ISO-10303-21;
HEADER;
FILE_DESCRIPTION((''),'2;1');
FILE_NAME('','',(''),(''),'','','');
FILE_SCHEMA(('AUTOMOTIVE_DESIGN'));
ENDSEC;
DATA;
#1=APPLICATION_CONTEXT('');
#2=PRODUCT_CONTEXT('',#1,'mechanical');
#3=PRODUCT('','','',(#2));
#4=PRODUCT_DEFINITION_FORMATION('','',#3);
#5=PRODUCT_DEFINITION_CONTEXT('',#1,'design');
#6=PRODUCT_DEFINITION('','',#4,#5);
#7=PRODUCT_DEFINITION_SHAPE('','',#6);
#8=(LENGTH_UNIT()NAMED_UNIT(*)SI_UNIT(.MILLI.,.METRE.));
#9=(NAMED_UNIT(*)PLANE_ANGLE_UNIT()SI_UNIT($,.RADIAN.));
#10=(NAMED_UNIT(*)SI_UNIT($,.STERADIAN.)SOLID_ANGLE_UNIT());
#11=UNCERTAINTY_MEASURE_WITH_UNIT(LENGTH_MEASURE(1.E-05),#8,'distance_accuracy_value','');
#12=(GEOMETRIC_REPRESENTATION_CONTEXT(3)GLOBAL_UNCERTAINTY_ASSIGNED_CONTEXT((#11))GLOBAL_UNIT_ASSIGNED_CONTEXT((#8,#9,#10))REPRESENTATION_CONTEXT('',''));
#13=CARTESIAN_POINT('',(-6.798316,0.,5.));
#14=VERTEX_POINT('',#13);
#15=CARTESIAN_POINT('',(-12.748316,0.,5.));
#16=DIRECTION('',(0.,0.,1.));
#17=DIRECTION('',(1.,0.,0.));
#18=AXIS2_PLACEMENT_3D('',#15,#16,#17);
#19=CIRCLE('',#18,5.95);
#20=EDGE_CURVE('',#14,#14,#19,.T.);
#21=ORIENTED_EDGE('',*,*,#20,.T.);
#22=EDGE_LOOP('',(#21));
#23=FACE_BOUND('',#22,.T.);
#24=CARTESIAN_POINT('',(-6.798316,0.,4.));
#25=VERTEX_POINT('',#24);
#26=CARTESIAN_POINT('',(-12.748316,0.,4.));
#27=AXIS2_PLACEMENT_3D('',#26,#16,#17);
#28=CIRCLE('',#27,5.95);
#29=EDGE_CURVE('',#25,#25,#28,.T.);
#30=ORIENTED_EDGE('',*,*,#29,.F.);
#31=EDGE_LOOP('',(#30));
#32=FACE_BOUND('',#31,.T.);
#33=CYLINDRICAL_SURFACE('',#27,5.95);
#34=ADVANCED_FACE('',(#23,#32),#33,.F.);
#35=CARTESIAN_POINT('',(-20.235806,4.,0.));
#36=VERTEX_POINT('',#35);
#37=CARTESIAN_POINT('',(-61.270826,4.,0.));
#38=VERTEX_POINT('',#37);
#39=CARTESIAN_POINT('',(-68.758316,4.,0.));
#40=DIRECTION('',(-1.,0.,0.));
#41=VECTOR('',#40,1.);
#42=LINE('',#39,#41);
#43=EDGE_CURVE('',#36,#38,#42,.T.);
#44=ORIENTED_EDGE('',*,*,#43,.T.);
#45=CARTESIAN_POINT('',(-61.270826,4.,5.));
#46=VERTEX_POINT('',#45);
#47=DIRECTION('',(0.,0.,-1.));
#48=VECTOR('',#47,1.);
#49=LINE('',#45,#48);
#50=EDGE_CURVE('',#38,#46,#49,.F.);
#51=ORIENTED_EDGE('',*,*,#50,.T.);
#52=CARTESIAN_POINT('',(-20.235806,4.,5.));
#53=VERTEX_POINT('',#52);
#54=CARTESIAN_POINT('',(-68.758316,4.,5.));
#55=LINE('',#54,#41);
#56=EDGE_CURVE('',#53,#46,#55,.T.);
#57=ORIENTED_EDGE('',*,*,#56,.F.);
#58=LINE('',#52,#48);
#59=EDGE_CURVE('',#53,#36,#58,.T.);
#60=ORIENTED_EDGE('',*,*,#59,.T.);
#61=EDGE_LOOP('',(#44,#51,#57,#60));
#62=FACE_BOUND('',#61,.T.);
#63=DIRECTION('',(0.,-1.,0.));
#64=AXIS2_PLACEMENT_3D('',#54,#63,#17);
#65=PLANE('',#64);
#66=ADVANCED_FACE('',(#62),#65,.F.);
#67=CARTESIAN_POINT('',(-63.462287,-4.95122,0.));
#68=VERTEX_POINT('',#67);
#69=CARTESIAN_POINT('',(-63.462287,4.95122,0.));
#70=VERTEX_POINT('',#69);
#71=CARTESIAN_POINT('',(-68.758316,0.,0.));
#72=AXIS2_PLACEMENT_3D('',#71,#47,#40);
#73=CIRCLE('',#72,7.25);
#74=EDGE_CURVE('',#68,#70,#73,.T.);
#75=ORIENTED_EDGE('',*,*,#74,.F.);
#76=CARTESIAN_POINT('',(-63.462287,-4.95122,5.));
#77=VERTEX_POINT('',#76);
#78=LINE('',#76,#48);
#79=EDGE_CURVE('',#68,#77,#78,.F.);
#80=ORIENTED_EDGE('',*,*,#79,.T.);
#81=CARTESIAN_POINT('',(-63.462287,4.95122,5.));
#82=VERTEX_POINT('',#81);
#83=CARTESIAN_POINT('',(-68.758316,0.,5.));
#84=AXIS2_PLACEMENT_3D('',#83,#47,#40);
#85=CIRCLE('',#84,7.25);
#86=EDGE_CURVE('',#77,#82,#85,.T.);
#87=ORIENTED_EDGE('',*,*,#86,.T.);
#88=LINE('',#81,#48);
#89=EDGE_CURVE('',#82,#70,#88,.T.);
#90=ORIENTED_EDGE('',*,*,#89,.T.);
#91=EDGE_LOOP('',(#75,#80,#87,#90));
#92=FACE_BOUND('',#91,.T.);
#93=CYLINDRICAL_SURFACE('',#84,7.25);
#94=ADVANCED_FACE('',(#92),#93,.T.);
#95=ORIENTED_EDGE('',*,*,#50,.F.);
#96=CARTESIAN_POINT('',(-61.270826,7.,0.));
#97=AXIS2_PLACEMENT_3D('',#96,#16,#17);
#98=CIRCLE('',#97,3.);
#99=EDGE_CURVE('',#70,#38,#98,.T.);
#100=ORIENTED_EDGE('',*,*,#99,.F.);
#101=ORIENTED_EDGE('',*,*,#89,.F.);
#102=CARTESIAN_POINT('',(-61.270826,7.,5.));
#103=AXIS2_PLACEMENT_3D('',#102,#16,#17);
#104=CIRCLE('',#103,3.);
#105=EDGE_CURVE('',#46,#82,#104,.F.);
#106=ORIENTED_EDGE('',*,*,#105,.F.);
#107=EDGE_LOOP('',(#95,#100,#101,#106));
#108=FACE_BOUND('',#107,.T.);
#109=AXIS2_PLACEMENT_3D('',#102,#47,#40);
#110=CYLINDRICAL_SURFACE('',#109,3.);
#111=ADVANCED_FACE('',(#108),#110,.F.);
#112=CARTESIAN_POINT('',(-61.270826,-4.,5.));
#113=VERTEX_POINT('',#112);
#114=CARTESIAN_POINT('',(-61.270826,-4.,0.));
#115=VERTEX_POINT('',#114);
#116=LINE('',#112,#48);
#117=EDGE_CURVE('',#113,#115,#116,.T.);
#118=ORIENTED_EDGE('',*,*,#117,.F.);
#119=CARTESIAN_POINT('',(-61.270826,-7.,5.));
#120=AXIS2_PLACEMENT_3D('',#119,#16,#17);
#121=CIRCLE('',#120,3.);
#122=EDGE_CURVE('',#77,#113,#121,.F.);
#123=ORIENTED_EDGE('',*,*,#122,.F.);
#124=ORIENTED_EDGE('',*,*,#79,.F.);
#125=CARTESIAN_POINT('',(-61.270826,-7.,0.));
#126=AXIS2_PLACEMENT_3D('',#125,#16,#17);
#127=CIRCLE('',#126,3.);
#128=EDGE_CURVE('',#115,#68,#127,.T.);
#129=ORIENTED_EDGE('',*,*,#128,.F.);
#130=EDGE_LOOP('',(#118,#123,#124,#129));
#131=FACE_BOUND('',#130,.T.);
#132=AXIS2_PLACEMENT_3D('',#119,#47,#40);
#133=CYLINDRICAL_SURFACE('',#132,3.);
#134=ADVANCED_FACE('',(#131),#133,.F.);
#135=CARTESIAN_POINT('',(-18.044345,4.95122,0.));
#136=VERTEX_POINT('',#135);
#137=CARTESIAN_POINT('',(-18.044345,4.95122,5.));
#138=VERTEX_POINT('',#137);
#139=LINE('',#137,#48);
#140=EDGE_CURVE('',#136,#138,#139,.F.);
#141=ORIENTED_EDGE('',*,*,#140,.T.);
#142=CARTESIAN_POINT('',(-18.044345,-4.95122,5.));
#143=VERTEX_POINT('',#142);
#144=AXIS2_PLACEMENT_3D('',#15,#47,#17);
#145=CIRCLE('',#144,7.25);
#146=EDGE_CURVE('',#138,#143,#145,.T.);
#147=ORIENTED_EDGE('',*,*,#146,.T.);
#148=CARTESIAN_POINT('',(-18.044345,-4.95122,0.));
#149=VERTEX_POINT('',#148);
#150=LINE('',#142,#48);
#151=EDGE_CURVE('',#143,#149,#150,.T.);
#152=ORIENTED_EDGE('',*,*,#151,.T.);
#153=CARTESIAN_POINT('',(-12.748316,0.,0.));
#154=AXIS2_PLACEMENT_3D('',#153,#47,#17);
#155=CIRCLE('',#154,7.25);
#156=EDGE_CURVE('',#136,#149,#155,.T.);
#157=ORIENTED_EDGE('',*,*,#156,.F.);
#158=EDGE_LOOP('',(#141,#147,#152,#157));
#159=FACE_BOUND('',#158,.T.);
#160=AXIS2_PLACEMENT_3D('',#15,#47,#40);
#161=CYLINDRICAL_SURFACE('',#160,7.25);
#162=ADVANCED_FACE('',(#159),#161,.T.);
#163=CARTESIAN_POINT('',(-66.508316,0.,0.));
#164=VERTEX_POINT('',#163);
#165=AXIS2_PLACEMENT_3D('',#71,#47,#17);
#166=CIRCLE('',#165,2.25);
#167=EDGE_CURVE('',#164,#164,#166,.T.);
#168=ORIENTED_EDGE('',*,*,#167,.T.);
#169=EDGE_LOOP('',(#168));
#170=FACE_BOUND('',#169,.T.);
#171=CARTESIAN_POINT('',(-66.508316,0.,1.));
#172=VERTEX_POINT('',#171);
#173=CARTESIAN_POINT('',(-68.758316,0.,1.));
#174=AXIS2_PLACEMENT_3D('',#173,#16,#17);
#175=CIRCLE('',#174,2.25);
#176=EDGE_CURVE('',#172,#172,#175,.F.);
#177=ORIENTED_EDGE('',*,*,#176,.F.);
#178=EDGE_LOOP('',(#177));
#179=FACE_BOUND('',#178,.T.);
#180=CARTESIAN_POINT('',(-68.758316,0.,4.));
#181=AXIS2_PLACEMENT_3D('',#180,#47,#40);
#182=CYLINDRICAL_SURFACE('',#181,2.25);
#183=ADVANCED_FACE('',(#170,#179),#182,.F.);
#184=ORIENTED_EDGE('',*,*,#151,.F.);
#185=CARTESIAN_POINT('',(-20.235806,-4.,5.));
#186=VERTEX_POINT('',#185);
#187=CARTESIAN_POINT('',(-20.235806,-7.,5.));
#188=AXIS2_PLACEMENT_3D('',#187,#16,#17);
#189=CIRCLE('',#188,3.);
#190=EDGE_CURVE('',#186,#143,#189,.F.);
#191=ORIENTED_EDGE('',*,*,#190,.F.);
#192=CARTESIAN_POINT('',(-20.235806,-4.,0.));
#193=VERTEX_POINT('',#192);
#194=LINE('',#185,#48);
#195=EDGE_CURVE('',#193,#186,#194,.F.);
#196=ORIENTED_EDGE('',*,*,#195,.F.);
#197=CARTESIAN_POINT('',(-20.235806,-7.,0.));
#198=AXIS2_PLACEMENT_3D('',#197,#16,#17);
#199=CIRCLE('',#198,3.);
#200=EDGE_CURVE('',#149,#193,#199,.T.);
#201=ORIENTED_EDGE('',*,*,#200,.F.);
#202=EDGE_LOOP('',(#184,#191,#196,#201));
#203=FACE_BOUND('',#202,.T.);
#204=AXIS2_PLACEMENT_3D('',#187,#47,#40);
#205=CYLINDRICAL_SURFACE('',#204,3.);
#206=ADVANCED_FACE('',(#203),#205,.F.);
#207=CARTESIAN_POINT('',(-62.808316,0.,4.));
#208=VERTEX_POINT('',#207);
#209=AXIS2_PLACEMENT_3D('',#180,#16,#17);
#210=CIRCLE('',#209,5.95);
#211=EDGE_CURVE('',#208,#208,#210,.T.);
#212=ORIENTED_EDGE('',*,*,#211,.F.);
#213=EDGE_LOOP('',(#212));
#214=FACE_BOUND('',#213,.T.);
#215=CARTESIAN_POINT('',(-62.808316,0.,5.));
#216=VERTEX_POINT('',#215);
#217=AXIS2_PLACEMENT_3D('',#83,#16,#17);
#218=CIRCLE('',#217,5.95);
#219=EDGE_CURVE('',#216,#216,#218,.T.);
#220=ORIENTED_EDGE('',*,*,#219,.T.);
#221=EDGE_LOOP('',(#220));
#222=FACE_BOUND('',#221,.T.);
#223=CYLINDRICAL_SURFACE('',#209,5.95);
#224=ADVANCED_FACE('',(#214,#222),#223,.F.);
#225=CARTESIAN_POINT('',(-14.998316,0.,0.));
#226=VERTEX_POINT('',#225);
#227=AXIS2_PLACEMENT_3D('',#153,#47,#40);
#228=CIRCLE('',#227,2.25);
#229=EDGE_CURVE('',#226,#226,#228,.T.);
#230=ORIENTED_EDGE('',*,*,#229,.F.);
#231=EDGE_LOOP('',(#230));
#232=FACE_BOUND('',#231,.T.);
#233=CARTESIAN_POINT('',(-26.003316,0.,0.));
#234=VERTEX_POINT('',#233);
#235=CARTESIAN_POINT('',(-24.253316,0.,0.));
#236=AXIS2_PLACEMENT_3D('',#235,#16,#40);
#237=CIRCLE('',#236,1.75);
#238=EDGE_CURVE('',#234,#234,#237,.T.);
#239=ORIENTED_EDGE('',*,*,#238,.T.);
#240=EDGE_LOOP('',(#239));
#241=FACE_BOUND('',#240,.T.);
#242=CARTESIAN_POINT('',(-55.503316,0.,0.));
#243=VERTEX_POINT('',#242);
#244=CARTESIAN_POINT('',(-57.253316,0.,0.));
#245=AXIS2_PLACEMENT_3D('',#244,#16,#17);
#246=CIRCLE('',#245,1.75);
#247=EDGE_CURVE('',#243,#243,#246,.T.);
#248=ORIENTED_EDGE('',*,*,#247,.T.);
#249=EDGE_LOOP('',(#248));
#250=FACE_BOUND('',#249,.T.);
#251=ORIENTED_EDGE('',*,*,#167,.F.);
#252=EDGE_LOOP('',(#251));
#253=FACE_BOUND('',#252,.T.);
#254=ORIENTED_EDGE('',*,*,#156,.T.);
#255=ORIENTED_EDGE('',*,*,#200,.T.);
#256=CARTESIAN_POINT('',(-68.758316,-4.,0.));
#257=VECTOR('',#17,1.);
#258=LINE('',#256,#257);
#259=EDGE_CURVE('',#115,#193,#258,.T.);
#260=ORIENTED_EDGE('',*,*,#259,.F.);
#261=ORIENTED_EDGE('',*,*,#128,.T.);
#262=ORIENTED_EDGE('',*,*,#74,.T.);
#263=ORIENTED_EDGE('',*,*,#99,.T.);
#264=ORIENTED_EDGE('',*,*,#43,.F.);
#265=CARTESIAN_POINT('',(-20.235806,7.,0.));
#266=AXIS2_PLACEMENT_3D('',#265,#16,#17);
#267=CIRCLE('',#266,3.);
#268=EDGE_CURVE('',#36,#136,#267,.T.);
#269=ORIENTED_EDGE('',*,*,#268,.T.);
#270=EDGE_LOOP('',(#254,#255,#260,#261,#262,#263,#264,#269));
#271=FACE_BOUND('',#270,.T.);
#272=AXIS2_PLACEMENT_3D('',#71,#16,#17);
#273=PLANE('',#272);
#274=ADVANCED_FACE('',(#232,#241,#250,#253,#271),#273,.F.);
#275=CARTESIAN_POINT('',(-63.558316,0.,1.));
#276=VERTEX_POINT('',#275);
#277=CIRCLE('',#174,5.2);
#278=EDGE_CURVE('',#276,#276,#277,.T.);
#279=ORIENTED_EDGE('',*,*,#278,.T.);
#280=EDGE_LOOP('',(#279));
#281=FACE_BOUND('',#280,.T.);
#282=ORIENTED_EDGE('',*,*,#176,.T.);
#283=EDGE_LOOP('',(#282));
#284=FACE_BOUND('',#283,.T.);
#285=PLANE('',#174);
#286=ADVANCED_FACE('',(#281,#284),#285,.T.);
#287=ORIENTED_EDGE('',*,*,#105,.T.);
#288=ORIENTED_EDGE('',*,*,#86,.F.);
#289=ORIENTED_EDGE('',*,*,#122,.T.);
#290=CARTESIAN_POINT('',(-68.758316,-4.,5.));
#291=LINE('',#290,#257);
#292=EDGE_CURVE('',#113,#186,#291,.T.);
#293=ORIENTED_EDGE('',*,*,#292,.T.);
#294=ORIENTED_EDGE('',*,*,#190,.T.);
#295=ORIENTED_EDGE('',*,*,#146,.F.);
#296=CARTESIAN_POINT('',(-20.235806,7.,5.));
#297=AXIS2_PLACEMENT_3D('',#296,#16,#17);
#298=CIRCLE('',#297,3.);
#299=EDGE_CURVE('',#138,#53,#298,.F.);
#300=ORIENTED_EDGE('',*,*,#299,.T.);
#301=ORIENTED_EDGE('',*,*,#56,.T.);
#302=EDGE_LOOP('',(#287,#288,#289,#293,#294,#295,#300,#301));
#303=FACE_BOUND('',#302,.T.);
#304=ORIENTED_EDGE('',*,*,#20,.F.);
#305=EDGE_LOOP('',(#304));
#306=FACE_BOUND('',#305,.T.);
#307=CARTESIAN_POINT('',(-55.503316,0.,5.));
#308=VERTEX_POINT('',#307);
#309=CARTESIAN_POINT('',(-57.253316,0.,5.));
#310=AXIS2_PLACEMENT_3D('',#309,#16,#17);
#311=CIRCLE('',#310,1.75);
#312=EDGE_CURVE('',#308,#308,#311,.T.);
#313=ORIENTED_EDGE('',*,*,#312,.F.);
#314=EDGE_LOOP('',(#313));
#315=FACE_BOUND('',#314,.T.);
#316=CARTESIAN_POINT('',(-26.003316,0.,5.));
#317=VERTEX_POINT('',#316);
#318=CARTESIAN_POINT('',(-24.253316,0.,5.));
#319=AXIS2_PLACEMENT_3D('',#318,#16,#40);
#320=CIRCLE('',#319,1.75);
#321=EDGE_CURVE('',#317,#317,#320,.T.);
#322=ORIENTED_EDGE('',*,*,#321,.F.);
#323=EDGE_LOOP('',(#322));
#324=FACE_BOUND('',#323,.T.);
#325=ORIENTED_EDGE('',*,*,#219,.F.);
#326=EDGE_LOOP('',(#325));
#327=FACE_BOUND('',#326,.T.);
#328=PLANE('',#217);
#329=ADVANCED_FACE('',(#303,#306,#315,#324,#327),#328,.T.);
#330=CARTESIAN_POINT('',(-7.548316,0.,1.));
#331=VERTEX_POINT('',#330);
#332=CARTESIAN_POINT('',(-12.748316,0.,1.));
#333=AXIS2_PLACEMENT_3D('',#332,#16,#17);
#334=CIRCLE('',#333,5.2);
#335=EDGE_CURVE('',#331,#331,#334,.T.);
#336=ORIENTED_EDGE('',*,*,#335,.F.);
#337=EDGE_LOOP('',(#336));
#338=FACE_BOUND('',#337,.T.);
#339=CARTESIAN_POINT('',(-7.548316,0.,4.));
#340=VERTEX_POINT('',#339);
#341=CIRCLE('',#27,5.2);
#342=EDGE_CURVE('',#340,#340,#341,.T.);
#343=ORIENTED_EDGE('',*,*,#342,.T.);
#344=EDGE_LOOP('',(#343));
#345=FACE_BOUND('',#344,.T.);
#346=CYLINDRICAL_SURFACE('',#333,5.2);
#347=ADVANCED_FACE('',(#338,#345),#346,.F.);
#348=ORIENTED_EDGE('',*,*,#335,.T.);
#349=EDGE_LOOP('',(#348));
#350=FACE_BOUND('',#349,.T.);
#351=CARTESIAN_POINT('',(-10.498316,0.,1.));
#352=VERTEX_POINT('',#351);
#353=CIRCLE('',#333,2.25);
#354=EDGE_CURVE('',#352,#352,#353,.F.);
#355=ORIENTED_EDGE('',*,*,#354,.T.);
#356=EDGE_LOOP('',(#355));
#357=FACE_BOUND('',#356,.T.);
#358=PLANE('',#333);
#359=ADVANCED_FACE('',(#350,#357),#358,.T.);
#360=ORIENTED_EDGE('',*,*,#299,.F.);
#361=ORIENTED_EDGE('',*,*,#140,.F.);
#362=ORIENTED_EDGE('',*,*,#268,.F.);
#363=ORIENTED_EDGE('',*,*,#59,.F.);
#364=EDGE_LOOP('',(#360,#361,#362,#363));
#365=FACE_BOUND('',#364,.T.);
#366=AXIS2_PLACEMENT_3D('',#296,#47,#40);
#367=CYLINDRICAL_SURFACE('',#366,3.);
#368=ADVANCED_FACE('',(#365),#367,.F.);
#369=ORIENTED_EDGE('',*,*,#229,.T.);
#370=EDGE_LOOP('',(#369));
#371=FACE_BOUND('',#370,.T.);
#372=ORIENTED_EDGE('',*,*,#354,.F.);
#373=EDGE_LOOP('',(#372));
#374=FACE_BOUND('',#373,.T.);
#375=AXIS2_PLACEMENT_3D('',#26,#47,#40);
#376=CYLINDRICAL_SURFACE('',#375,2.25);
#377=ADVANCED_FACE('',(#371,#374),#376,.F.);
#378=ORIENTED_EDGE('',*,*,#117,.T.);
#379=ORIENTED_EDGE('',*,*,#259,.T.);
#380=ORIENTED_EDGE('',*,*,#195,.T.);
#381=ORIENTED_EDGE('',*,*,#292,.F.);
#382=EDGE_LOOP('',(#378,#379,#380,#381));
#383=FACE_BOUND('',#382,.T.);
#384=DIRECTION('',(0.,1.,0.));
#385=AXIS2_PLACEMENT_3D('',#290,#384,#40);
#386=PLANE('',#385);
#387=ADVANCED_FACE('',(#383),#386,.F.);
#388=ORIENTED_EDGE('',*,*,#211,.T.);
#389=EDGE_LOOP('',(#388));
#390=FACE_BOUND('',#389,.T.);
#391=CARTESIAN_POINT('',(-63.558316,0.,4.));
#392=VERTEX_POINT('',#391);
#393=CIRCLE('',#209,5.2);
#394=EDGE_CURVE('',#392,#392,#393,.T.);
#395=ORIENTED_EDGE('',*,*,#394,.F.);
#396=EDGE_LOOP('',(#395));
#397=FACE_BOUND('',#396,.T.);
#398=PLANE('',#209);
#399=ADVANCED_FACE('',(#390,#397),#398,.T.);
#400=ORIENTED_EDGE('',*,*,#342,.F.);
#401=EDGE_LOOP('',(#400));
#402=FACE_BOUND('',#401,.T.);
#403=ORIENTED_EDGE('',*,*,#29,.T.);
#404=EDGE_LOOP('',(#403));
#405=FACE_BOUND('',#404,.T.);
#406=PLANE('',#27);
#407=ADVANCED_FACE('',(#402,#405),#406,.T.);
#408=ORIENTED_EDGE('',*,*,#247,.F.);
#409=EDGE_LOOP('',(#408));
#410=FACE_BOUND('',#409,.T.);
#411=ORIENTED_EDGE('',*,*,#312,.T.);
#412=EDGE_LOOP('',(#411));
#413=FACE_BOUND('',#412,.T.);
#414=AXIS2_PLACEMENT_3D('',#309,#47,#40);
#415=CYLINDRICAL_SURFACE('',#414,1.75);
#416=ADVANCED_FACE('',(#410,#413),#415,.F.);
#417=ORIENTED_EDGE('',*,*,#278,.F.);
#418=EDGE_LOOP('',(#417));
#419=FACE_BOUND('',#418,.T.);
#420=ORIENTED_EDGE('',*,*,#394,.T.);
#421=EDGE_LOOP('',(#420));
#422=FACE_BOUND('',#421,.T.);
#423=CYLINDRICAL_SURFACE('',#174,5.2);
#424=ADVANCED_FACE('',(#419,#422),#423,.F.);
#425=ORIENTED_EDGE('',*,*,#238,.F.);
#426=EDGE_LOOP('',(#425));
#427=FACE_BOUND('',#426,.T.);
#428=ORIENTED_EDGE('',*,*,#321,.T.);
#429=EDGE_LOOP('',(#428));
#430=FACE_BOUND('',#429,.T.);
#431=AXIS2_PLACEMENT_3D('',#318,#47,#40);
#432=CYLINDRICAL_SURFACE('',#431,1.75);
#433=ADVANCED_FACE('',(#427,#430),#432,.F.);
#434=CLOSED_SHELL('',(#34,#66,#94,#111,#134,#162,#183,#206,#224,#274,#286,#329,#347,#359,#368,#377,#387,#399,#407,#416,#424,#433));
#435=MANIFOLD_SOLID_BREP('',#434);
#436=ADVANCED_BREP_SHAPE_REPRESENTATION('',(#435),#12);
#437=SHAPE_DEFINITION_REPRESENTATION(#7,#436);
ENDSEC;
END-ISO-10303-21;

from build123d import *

# Parameters (mm, degrees)
SKETCH1_R           = 1.75
BOSS_EXTRUDE1_DEPTH = 5
SKETCH2_R           = 7.25
BOSS_EXTRUDE2_DEPTH = 5
SKETCH5_R           = 5.95
CUT_EXTRUDE2_DEPTH  = 1
SKETCH6_R           = 2.25
CUT_EXTRUDE3_DEPTH  = 4
FILLET1_R           = 3
SKETCH7_R           = 5.2
CUT_EXTRUDE4_DEPTH  = 3


with BuildPart() as part:
    # Sketch1 → Boss-Extrude1 (new body)
    with BuildSketch(Plane.XY):
        with BuildLine():
            Line((-68.758315939, 4), (-12.748315939, 4))
            ThreePointArc((-12.748315939, 4), (-8.748315939, 0), (-12.748315939, -4))
            Line((-12.748315939, -4), (-68.758315939, -4))
            ThreePointArc((-68.758315939, -4), (-72.758315939, 0), (-68.758315939, 4))
        make_face()
        with Locations((-57.253315939, 0)):
            Circle(SKETCH1_R, mode=Mode.SUBTRACT)
        with Locations(Location((-24.253315939, 0, 0), (0, 0, 180))):
            Circle(SKETCH1_R, mode=Mode.SUBTRACT)
    extrude(amount=BOSS_EXTRUDE1_DEPTH)

    # Sketch2 → Boss-Extrude2 (add)
    with BuildSketch(Plane(origin=(0, 0, 0), x_dir=(-1, 0, 0), z_dir=(0, 0, -1))):
        with Locations((68.758315939, 0)):
            Circle(SKETCH2_R)
        with Locations((12.748315939, 0)):
            Circle(SKETCH2_R)
    extrude(amount=-BOSS_EXTRUDE2_DEPTH)

    # Sketch5 → Cut-Extrude2 (cut)
    with BuildSketch(Plane.XY.offset(5)):
        with Locations((-68.758315939, 0)):
            Circle(SKETCH5_R)
        with Locations((-12.748315939, 0)):
            Circle(SKETCH5_R)
    extrude(amount=-CUT_EXTRUDE2_DEPTH, mode=Mode.SUBTRACT)

    # Sketch6 → Cut-Extrude3 (cut)
    with BuildSketch(Plane(origin=(0, 0, 0), x_dir=(-1, 0, 0), z_dir=(0, 0, -1))):
        with Locations((12.748315939, 0)):
            Circle(SKETCH6_R)
        with Locations(Location((68.758315939, 0, 0), (0, 0, 180))):
            Circle(SKETCH6_R)
    extrude(amount=-CUT_EXTRUDE3_DEPTH, mode=Mode.SUBTRACT)

    # Fillet1
    fillet1_edges = [part.edges().sort_by_distance(p)[0] for p in [
        (-62.711622628, 4, 2.5),
        (-62.711622628, -4, 2.5),
        (-18.79500925, 4, 2.5),
        (-18.79500925, -4, 2.5),
    ]]
    fillet(fillet1_edges, radius=FILLET1_R)

    # Sketch7 → Cut-Extrude4 (cut)
    with BuildSketch(Plane.XY.offset(4)):
        with Locations((-68.758315939, 0)):
            Circle(SKETCH7_R)
        with Locations((-12.748315939, 0)):
            Circle(SKETCH7_R)
    extrude(amount=-CUT_EXTRUDE4_DEPTH, mode=Mode.SUBTRACT)


solid = part.part
